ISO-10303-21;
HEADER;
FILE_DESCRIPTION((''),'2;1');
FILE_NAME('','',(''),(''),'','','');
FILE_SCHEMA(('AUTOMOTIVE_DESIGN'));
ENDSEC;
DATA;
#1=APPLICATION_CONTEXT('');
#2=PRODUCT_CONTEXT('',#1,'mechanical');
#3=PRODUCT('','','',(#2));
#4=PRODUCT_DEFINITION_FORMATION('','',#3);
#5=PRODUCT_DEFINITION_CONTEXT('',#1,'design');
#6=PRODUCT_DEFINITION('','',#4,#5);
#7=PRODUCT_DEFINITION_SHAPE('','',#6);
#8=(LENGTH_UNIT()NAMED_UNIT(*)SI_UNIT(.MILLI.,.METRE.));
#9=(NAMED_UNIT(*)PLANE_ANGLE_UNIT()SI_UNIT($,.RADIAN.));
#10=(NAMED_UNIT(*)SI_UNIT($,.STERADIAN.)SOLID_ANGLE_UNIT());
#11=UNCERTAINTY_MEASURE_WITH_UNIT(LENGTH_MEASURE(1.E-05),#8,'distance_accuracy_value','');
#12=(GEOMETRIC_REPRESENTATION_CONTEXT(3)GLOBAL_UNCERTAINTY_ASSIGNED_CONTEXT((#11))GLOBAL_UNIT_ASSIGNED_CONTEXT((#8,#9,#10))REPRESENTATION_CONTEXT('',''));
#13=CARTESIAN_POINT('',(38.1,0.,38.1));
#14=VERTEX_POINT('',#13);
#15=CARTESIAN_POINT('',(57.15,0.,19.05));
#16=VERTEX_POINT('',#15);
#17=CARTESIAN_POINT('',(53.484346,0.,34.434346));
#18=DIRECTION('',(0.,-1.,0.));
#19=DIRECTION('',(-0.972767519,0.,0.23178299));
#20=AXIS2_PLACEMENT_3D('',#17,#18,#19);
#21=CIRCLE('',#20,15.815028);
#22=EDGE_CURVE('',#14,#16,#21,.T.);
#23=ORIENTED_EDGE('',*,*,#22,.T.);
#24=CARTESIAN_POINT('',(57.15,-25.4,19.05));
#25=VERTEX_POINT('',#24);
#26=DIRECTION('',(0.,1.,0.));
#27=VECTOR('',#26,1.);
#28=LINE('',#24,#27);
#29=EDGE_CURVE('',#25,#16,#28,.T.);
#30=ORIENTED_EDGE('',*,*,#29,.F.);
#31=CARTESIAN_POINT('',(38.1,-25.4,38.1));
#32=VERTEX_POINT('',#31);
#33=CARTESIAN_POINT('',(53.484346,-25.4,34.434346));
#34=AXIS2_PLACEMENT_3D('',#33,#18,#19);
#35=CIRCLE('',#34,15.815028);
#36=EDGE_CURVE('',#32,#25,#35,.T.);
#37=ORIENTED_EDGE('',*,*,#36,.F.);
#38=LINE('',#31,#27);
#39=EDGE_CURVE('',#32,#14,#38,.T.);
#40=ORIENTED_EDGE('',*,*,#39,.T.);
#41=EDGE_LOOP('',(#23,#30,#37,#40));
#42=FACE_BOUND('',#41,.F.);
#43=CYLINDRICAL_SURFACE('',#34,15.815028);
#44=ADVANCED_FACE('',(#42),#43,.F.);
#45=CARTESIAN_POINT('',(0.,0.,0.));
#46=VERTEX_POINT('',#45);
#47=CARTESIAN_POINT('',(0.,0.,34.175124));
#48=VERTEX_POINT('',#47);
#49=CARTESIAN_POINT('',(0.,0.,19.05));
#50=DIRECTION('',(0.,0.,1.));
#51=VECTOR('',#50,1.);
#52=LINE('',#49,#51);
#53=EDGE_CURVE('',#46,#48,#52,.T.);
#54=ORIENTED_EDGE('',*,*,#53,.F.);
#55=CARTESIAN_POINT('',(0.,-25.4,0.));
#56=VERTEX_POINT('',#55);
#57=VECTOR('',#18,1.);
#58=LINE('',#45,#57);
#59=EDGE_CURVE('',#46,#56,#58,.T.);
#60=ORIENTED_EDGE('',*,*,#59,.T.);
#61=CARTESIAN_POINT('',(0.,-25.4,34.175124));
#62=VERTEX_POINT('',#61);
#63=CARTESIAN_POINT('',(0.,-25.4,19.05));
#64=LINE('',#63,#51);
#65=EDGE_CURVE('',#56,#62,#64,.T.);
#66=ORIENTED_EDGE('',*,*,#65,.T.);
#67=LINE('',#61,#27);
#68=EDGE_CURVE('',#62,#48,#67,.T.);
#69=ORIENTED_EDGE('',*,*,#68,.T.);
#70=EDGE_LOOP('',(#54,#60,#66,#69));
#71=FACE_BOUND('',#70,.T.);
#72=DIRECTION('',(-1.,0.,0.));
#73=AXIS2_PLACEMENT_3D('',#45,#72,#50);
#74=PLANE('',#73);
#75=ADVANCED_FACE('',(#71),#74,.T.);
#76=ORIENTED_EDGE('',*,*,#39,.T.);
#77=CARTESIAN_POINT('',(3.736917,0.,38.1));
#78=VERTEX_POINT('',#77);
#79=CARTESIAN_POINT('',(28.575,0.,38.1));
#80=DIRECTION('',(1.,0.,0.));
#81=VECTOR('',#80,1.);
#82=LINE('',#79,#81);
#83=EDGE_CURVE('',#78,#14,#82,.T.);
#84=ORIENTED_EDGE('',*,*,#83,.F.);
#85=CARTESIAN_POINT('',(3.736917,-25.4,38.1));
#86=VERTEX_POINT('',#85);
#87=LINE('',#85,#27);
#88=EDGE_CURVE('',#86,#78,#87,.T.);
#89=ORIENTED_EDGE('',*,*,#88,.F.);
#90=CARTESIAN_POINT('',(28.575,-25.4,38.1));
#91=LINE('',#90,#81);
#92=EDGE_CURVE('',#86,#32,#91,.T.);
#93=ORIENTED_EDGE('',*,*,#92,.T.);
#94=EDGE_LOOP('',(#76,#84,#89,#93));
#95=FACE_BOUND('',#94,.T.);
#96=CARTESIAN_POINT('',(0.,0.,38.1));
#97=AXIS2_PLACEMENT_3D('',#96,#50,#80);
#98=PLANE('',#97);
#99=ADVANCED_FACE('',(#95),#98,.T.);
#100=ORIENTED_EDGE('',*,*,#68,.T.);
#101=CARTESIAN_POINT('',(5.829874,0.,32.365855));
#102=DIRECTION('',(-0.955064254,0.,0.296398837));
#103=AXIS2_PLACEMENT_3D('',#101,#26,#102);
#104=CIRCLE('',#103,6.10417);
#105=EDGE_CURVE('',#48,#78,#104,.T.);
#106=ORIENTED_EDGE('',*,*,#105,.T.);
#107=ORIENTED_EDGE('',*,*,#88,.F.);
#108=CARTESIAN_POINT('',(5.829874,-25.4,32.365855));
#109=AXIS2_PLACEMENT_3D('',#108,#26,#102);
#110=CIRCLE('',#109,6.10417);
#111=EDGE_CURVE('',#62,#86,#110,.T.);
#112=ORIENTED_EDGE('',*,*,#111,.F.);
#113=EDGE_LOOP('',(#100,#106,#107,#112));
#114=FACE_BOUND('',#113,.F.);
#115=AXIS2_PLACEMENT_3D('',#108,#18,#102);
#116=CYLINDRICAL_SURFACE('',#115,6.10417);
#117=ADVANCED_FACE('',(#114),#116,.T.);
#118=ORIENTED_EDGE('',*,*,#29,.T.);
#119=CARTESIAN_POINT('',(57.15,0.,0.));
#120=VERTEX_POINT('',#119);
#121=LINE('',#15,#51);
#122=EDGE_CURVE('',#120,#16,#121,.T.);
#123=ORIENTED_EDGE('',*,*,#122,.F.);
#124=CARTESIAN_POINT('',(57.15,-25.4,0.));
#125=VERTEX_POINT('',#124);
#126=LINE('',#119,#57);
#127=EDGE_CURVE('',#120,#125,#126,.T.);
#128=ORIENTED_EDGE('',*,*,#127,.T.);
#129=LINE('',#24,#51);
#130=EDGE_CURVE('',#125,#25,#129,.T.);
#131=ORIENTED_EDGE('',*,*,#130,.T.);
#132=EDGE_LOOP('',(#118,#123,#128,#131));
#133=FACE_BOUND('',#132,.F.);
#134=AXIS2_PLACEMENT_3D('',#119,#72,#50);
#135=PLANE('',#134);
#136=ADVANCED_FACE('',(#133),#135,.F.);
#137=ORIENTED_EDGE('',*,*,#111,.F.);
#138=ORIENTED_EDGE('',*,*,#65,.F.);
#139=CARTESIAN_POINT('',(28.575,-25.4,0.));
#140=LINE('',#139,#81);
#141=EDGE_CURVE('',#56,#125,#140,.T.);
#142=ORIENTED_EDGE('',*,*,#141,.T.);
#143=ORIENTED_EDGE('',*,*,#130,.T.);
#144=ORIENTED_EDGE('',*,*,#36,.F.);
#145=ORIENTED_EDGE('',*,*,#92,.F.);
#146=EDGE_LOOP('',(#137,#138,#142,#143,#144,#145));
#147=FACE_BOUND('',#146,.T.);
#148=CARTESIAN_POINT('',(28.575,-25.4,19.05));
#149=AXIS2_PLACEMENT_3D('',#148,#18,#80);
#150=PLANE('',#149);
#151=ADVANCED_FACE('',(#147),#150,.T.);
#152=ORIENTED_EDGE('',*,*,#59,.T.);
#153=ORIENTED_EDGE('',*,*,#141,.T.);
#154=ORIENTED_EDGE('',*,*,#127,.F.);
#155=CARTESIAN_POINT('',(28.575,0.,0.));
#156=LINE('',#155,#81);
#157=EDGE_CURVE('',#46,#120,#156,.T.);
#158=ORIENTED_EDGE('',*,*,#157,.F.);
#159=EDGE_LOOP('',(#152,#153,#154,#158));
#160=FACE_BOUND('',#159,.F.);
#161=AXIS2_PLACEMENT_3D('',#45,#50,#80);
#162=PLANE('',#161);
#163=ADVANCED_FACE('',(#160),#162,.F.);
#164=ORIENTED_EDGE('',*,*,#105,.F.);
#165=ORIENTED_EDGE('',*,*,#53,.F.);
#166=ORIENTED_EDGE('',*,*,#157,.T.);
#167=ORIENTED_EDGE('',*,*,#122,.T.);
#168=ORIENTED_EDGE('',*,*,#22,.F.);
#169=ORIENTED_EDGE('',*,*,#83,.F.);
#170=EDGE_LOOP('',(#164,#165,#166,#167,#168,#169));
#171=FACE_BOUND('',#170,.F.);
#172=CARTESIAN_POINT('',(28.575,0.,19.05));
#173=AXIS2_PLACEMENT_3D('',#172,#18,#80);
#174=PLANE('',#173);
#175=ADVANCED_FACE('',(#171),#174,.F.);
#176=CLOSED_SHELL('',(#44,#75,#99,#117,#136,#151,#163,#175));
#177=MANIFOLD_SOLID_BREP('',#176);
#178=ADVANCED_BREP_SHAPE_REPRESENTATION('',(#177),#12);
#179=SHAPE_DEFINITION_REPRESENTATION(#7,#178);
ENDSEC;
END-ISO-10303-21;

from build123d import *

# Parameters (mm, degrees)
F0_W     = 57.15
F0_H     = 38.1
F1_DEPTH = 25.4
F3_DEPTH = 25.4
F5_DEPTH = 25.4


with BuildPart() as f1:
    # F0 (on Front) → F1 (new body)
    with BuildSketch(Plane.XZ):
        with Locations((28.575, 19.05)):
            Rectangle(F0_W, F0_H)
    extrude(amount=F1_DEPTH)

    # F2 (on face) → F3 (cut)
    with BuildSketch(Plane.XZ.offset(25.4)):
        with BuildLine():
            Line((57.15, 38.1), (38.1, 38.1))
            ThreePointArc((38.1, 38.1), (42.301432, 23.251432), (57.15, 19.05))
            Line((57.15, 19.05), (57.15, 38.1))
        make_face()
    extrude(amount=-F3_DEPTH, mode=Mode.SUBTRACT)

    # F4 (on face) → F5 (cut)
    with BuildSketch(Plane.XZ.offset(25.4)):
        with BuildLine():
            Line((0, 38.1), (0, 34.175124))
            ThreePointArc((0, 34.175124), (1.409017, 36.575001), (3.736917, 38.1))
            Line((3.736917, 38.1), (0, 38.1))
        make_face()
    extrude(amount=-F5_DEPTH, mode=Mode.SUBTRACT)


solid = f1.part
